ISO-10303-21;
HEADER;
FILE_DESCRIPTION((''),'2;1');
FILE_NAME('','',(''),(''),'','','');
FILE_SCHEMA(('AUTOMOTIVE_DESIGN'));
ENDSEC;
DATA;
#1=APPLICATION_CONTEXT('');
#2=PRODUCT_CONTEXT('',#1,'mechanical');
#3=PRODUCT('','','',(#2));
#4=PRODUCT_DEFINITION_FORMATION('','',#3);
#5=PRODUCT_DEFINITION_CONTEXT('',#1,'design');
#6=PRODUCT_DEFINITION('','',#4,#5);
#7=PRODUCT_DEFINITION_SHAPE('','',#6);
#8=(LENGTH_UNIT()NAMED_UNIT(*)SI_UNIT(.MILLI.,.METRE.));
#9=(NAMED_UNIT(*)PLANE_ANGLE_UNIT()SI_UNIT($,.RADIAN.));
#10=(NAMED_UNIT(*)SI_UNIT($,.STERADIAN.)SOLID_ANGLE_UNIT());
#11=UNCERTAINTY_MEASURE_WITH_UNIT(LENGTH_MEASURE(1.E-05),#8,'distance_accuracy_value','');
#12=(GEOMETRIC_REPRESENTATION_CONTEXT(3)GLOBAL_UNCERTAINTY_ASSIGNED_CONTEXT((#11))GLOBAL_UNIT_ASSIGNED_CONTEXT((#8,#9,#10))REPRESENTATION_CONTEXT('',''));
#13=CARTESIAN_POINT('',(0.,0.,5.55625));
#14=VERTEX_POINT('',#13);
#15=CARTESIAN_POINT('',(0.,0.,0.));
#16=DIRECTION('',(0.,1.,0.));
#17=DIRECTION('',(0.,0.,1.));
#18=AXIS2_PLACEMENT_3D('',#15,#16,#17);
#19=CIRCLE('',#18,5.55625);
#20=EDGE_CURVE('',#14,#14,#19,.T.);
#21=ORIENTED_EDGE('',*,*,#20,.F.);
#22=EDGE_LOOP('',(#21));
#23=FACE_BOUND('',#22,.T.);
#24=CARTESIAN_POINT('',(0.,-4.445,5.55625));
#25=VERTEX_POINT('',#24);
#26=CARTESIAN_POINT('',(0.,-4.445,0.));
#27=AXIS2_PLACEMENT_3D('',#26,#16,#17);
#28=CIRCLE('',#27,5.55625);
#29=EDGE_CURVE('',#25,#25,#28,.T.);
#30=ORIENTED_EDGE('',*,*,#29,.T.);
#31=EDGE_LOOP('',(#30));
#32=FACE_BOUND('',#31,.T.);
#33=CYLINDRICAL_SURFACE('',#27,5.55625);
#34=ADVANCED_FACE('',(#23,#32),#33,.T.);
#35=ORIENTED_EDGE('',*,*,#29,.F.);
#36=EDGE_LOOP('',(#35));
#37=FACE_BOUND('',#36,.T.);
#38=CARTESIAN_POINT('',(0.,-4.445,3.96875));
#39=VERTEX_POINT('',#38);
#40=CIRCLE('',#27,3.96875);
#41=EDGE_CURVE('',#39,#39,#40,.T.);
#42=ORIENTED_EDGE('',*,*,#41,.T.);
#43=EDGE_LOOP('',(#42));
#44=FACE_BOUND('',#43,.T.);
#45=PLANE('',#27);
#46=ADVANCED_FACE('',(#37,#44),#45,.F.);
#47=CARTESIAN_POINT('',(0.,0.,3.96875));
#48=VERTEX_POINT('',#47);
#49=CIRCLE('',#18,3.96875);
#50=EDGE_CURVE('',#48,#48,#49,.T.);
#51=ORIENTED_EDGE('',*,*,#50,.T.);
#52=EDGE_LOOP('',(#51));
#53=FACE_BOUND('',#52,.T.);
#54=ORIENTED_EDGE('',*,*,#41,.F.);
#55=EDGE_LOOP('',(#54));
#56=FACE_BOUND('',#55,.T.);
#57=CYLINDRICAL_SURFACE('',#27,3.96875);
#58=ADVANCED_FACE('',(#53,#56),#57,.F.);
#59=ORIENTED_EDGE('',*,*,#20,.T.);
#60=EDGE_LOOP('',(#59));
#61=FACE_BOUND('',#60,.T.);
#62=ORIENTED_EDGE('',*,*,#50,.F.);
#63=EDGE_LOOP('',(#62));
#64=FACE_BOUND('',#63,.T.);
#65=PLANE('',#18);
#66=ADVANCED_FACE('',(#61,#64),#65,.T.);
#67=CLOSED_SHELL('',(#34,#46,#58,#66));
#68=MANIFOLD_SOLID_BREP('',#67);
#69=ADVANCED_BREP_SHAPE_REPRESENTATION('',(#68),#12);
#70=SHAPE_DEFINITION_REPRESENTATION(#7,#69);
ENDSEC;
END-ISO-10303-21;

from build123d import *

# Parameters (mm, degrees)
SKETCH1_R           = 5.55625
SKETCH1_R_2         = 3.96875
BOSS_EXTRUDE1_DEPTH = 4.445


with BuildPart() as part:
    # Sketch1 → Boss-Extrude1 (new body)
    with BuildSketch(Plane(origin=(0, 0, 0), x_dir=(1, 0, 0), z_dir=(0, 1, 0))):
        Circle(SKETCH1_R)
        Circle(SKETCH1_R_2, mode=Mode.SUBTRACT)
    extrude(amount=-BOSS_EXTRUDE1_DEPTH)


solid = part.part
